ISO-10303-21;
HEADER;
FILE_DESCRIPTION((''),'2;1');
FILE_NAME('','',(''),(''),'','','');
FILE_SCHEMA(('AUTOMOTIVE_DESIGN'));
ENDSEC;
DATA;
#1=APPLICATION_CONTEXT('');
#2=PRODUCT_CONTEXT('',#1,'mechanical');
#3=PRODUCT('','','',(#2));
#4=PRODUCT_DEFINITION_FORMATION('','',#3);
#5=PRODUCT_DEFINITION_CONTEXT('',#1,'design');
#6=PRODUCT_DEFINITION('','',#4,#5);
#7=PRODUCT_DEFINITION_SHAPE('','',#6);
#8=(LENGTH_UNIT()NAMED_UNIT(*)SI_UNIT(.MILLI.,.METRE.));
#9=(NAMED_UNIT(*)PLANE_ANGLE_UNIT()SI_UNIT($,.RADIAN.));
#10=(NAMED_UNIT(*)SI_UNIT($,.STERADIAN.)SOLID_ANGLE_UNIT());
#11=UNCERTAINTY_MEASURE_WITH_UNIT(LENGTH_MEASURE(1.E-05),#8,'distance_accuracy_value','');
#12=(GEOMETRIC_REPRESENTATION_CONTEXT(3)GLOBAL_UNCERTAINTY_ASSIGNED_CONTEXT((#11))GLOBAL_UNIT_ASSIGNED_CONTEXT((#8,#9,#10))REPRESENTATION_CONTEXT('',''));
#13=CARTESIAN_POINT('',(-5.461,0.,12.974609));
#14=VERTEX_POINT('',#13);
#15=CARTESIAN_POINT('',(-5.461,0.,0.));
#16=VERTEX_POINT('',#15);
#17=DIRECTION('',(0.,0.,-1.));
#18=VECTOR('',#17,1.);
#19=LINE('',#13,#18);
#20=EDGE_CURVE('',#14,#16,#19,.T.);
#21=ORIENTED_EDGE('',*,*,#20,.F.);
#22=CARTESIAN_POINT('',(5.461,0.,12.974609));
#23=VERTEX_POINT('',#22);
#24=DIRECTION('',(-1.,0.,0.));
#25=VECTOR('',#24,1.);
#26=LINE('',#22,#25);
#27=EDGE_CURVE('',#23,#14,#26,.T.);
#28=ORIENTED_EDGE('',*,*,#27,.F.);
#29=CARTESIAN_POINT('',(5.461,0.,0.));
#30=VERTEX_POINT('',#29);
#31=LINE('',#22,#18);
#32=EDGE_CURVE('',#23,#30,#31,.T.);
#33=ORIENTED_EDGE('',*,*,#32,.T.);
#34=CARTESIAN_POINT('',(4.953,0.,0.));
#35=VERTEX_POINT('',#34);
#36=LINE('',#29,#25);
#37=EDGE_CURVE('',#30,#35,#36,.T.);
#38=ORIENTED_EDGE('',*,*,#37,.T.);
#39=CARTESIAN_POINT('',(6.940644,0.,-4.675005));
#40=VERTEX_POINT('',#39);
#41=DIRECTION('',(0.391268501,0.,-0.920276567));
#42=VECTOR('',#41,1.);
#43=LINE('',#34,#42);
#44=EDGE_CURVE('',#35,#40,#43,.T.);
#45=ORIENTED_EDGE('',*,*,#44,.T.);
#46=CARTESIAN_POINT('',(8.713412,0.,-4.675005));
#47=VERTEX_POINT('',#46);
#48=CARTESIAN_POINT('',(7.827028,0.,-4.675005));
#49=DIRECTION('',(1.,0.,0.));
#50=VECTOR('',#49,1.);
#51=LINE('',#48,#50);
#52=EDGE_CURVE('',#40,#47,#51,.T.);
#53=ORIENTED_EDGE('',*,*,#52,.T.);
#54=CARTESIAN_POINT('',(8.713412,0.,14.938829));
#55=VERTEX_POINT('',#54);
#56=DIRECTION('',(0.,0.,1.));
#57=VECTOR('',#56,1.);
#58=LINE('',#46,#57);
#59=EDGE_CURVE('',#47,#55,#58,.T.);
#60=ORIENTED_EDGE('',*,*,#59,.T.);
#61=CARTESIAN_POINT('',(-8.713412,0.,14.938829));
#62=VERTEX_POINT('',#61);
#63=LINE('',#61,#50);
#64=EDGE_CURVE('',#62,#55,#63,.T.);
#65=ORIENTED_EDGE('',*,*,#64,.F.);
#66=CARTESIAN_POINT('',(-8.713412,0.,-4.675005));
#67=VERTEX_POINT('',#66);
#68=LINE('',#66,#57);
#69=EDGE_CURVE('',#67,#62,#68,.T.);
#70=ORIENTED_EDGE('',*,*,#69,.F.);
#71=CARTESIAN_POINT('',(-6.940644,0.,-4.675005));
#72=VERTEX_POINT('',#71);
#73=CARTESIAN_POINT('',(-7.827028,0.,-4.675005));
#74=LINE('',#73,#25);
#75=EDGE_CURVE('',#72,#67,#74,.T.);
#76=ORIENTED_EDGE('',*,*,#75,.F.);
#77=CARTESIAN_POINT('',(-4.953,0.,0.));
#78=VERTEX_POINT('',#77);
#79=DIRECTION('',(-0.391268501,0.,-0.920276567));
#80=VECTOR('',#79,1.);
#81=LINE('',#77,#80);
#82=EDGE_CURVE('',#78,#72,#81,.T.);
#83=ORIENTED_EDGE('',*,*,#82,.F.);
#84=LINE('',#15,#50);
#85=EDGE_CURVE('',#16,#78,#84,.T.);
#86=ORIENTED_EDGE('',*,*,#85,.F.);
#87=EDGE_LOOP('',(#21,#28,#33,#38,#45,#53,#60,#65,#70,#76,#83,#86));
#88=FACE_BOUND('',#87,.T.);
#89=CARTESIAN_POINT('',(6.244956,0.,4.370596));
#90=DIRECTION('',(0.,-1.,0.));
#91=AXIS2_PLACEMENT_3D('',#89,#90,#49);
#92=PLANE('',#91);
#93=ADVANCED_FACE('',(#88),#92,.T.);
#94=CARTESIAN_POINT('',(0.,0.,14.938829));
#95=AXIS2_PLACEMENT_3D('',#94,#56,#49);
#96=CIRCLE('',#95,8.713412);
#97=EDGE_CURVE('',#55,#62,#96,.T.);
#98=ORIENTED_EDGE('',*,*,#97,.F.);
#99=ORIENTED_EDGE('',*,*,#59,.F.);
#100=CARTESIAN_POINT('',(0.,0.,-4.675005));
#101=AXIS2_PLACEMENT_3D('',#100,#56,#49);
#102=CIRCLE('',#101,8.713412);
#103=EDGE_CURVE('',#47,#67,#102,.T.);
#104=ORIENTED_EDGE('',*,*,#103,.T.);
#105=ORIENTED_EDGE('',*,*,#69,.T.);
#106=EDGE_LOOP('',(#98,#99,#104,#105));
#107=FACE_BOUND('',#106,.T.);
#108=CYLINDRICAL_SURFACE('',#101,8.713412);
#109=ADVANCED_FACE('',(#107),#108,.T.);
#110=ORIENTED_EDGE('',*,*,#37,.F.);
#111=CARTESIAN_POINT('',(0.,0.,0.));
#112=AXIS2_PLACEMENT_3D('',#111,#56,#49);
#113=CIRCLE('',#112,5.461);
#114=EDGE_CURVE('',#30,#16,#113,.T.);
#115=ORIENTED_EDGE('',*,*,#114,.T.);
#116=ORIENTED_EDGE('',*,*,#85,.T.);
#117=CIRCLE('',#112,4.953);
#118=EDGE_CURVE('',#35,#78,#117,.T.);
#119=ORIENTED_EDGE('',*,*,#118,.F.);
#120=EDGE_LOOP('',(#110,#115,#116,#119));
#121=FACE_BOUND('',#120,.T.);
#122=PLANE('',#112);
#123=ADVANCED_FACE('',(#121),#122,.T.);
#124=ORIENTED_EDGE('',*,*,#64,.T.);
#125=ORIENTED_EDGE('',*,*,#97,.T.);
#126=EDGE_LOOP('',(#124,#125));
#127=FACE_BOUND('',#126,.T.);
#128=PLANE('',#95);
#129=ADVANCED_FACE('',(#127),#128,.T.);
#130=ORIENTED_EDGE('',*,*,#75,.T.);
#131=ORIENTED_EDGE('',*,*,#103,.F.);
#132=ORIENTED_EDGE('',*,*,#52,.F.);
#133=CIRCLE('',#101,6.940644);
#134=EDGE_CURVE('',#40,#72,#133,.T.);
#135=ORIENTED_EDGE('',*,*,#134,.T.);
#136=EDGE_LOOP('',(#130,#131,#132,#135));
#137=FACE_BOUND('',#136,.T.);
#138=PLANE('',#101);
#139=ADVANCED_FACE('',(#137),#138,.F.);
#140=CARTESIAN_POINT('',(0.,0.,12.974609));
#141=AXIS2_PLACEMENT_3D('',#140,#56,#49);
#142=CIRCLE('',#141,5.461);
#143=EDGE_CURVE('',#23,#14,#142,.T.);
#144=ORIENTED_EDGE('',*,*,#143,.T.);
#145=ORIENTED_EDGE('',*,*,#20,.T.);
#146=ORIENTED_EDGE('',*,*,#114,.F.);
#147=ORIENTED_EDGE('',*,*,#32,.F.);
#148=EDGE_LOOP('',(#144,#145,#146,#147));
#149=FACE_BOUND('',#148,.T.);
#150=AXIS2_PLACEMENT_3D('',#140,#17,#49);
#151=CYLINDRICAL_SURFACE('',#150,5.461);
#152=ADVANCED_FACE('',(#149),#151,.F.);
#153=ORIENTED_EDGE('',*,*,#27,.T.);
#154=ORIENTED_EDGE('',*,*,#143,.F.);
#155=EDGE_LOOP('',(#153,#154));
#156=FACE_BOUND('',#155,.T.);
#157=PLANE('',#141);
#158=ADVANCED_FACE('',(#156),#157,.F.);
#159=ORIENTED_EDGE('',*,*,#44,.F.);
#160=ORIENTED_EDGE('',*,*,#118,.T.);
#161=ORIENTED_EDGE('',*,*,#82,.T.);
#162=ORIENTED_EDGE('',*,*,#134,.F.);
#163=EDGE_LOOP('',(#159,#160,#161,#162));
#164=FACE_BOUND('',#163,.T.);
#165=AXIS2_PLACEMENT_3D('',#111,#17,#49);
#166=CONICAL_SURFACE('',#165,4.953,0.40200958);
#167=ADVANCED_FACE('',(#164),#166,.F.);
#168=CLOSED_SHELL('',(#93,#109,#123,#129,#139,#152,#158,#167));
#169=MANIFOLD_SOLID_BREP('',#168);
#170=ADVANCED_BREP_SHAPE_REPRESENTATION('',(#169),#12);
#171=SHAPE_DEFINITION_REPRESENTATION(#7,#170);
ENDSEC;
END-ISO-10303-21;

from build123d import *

# Parameters (mm, degrees)
F0_W     = 1.772768
F0_H     = 17.649614
F1_ANGLE = 180


with BuildPart() as f1:
    # F0 (on Front) → F1 (revolve)
    with BuildSketch(Plane.XZ):
        Polygon((5.461, 0), (4.953, 0), (6.940644, -4.675005), (6.940644, 12.974609), (5.461, 12.974609), align=None)
        with Locations((7.827028, 4.149802)):
            Rectangle(F0_W, F0_H)
        Polygon((5.461, 12.974609), (6.940644, 12.974609), (8.713412, 12.974609), (8.713412, 14.938829), (0, 14.938829), (0, 12.974609), align=None)
    revolve(axis=Axis((0, 0, 2.192378), (0, 0, 1)), revolution_arc=F1_ANGLE)


solid = f1.part
